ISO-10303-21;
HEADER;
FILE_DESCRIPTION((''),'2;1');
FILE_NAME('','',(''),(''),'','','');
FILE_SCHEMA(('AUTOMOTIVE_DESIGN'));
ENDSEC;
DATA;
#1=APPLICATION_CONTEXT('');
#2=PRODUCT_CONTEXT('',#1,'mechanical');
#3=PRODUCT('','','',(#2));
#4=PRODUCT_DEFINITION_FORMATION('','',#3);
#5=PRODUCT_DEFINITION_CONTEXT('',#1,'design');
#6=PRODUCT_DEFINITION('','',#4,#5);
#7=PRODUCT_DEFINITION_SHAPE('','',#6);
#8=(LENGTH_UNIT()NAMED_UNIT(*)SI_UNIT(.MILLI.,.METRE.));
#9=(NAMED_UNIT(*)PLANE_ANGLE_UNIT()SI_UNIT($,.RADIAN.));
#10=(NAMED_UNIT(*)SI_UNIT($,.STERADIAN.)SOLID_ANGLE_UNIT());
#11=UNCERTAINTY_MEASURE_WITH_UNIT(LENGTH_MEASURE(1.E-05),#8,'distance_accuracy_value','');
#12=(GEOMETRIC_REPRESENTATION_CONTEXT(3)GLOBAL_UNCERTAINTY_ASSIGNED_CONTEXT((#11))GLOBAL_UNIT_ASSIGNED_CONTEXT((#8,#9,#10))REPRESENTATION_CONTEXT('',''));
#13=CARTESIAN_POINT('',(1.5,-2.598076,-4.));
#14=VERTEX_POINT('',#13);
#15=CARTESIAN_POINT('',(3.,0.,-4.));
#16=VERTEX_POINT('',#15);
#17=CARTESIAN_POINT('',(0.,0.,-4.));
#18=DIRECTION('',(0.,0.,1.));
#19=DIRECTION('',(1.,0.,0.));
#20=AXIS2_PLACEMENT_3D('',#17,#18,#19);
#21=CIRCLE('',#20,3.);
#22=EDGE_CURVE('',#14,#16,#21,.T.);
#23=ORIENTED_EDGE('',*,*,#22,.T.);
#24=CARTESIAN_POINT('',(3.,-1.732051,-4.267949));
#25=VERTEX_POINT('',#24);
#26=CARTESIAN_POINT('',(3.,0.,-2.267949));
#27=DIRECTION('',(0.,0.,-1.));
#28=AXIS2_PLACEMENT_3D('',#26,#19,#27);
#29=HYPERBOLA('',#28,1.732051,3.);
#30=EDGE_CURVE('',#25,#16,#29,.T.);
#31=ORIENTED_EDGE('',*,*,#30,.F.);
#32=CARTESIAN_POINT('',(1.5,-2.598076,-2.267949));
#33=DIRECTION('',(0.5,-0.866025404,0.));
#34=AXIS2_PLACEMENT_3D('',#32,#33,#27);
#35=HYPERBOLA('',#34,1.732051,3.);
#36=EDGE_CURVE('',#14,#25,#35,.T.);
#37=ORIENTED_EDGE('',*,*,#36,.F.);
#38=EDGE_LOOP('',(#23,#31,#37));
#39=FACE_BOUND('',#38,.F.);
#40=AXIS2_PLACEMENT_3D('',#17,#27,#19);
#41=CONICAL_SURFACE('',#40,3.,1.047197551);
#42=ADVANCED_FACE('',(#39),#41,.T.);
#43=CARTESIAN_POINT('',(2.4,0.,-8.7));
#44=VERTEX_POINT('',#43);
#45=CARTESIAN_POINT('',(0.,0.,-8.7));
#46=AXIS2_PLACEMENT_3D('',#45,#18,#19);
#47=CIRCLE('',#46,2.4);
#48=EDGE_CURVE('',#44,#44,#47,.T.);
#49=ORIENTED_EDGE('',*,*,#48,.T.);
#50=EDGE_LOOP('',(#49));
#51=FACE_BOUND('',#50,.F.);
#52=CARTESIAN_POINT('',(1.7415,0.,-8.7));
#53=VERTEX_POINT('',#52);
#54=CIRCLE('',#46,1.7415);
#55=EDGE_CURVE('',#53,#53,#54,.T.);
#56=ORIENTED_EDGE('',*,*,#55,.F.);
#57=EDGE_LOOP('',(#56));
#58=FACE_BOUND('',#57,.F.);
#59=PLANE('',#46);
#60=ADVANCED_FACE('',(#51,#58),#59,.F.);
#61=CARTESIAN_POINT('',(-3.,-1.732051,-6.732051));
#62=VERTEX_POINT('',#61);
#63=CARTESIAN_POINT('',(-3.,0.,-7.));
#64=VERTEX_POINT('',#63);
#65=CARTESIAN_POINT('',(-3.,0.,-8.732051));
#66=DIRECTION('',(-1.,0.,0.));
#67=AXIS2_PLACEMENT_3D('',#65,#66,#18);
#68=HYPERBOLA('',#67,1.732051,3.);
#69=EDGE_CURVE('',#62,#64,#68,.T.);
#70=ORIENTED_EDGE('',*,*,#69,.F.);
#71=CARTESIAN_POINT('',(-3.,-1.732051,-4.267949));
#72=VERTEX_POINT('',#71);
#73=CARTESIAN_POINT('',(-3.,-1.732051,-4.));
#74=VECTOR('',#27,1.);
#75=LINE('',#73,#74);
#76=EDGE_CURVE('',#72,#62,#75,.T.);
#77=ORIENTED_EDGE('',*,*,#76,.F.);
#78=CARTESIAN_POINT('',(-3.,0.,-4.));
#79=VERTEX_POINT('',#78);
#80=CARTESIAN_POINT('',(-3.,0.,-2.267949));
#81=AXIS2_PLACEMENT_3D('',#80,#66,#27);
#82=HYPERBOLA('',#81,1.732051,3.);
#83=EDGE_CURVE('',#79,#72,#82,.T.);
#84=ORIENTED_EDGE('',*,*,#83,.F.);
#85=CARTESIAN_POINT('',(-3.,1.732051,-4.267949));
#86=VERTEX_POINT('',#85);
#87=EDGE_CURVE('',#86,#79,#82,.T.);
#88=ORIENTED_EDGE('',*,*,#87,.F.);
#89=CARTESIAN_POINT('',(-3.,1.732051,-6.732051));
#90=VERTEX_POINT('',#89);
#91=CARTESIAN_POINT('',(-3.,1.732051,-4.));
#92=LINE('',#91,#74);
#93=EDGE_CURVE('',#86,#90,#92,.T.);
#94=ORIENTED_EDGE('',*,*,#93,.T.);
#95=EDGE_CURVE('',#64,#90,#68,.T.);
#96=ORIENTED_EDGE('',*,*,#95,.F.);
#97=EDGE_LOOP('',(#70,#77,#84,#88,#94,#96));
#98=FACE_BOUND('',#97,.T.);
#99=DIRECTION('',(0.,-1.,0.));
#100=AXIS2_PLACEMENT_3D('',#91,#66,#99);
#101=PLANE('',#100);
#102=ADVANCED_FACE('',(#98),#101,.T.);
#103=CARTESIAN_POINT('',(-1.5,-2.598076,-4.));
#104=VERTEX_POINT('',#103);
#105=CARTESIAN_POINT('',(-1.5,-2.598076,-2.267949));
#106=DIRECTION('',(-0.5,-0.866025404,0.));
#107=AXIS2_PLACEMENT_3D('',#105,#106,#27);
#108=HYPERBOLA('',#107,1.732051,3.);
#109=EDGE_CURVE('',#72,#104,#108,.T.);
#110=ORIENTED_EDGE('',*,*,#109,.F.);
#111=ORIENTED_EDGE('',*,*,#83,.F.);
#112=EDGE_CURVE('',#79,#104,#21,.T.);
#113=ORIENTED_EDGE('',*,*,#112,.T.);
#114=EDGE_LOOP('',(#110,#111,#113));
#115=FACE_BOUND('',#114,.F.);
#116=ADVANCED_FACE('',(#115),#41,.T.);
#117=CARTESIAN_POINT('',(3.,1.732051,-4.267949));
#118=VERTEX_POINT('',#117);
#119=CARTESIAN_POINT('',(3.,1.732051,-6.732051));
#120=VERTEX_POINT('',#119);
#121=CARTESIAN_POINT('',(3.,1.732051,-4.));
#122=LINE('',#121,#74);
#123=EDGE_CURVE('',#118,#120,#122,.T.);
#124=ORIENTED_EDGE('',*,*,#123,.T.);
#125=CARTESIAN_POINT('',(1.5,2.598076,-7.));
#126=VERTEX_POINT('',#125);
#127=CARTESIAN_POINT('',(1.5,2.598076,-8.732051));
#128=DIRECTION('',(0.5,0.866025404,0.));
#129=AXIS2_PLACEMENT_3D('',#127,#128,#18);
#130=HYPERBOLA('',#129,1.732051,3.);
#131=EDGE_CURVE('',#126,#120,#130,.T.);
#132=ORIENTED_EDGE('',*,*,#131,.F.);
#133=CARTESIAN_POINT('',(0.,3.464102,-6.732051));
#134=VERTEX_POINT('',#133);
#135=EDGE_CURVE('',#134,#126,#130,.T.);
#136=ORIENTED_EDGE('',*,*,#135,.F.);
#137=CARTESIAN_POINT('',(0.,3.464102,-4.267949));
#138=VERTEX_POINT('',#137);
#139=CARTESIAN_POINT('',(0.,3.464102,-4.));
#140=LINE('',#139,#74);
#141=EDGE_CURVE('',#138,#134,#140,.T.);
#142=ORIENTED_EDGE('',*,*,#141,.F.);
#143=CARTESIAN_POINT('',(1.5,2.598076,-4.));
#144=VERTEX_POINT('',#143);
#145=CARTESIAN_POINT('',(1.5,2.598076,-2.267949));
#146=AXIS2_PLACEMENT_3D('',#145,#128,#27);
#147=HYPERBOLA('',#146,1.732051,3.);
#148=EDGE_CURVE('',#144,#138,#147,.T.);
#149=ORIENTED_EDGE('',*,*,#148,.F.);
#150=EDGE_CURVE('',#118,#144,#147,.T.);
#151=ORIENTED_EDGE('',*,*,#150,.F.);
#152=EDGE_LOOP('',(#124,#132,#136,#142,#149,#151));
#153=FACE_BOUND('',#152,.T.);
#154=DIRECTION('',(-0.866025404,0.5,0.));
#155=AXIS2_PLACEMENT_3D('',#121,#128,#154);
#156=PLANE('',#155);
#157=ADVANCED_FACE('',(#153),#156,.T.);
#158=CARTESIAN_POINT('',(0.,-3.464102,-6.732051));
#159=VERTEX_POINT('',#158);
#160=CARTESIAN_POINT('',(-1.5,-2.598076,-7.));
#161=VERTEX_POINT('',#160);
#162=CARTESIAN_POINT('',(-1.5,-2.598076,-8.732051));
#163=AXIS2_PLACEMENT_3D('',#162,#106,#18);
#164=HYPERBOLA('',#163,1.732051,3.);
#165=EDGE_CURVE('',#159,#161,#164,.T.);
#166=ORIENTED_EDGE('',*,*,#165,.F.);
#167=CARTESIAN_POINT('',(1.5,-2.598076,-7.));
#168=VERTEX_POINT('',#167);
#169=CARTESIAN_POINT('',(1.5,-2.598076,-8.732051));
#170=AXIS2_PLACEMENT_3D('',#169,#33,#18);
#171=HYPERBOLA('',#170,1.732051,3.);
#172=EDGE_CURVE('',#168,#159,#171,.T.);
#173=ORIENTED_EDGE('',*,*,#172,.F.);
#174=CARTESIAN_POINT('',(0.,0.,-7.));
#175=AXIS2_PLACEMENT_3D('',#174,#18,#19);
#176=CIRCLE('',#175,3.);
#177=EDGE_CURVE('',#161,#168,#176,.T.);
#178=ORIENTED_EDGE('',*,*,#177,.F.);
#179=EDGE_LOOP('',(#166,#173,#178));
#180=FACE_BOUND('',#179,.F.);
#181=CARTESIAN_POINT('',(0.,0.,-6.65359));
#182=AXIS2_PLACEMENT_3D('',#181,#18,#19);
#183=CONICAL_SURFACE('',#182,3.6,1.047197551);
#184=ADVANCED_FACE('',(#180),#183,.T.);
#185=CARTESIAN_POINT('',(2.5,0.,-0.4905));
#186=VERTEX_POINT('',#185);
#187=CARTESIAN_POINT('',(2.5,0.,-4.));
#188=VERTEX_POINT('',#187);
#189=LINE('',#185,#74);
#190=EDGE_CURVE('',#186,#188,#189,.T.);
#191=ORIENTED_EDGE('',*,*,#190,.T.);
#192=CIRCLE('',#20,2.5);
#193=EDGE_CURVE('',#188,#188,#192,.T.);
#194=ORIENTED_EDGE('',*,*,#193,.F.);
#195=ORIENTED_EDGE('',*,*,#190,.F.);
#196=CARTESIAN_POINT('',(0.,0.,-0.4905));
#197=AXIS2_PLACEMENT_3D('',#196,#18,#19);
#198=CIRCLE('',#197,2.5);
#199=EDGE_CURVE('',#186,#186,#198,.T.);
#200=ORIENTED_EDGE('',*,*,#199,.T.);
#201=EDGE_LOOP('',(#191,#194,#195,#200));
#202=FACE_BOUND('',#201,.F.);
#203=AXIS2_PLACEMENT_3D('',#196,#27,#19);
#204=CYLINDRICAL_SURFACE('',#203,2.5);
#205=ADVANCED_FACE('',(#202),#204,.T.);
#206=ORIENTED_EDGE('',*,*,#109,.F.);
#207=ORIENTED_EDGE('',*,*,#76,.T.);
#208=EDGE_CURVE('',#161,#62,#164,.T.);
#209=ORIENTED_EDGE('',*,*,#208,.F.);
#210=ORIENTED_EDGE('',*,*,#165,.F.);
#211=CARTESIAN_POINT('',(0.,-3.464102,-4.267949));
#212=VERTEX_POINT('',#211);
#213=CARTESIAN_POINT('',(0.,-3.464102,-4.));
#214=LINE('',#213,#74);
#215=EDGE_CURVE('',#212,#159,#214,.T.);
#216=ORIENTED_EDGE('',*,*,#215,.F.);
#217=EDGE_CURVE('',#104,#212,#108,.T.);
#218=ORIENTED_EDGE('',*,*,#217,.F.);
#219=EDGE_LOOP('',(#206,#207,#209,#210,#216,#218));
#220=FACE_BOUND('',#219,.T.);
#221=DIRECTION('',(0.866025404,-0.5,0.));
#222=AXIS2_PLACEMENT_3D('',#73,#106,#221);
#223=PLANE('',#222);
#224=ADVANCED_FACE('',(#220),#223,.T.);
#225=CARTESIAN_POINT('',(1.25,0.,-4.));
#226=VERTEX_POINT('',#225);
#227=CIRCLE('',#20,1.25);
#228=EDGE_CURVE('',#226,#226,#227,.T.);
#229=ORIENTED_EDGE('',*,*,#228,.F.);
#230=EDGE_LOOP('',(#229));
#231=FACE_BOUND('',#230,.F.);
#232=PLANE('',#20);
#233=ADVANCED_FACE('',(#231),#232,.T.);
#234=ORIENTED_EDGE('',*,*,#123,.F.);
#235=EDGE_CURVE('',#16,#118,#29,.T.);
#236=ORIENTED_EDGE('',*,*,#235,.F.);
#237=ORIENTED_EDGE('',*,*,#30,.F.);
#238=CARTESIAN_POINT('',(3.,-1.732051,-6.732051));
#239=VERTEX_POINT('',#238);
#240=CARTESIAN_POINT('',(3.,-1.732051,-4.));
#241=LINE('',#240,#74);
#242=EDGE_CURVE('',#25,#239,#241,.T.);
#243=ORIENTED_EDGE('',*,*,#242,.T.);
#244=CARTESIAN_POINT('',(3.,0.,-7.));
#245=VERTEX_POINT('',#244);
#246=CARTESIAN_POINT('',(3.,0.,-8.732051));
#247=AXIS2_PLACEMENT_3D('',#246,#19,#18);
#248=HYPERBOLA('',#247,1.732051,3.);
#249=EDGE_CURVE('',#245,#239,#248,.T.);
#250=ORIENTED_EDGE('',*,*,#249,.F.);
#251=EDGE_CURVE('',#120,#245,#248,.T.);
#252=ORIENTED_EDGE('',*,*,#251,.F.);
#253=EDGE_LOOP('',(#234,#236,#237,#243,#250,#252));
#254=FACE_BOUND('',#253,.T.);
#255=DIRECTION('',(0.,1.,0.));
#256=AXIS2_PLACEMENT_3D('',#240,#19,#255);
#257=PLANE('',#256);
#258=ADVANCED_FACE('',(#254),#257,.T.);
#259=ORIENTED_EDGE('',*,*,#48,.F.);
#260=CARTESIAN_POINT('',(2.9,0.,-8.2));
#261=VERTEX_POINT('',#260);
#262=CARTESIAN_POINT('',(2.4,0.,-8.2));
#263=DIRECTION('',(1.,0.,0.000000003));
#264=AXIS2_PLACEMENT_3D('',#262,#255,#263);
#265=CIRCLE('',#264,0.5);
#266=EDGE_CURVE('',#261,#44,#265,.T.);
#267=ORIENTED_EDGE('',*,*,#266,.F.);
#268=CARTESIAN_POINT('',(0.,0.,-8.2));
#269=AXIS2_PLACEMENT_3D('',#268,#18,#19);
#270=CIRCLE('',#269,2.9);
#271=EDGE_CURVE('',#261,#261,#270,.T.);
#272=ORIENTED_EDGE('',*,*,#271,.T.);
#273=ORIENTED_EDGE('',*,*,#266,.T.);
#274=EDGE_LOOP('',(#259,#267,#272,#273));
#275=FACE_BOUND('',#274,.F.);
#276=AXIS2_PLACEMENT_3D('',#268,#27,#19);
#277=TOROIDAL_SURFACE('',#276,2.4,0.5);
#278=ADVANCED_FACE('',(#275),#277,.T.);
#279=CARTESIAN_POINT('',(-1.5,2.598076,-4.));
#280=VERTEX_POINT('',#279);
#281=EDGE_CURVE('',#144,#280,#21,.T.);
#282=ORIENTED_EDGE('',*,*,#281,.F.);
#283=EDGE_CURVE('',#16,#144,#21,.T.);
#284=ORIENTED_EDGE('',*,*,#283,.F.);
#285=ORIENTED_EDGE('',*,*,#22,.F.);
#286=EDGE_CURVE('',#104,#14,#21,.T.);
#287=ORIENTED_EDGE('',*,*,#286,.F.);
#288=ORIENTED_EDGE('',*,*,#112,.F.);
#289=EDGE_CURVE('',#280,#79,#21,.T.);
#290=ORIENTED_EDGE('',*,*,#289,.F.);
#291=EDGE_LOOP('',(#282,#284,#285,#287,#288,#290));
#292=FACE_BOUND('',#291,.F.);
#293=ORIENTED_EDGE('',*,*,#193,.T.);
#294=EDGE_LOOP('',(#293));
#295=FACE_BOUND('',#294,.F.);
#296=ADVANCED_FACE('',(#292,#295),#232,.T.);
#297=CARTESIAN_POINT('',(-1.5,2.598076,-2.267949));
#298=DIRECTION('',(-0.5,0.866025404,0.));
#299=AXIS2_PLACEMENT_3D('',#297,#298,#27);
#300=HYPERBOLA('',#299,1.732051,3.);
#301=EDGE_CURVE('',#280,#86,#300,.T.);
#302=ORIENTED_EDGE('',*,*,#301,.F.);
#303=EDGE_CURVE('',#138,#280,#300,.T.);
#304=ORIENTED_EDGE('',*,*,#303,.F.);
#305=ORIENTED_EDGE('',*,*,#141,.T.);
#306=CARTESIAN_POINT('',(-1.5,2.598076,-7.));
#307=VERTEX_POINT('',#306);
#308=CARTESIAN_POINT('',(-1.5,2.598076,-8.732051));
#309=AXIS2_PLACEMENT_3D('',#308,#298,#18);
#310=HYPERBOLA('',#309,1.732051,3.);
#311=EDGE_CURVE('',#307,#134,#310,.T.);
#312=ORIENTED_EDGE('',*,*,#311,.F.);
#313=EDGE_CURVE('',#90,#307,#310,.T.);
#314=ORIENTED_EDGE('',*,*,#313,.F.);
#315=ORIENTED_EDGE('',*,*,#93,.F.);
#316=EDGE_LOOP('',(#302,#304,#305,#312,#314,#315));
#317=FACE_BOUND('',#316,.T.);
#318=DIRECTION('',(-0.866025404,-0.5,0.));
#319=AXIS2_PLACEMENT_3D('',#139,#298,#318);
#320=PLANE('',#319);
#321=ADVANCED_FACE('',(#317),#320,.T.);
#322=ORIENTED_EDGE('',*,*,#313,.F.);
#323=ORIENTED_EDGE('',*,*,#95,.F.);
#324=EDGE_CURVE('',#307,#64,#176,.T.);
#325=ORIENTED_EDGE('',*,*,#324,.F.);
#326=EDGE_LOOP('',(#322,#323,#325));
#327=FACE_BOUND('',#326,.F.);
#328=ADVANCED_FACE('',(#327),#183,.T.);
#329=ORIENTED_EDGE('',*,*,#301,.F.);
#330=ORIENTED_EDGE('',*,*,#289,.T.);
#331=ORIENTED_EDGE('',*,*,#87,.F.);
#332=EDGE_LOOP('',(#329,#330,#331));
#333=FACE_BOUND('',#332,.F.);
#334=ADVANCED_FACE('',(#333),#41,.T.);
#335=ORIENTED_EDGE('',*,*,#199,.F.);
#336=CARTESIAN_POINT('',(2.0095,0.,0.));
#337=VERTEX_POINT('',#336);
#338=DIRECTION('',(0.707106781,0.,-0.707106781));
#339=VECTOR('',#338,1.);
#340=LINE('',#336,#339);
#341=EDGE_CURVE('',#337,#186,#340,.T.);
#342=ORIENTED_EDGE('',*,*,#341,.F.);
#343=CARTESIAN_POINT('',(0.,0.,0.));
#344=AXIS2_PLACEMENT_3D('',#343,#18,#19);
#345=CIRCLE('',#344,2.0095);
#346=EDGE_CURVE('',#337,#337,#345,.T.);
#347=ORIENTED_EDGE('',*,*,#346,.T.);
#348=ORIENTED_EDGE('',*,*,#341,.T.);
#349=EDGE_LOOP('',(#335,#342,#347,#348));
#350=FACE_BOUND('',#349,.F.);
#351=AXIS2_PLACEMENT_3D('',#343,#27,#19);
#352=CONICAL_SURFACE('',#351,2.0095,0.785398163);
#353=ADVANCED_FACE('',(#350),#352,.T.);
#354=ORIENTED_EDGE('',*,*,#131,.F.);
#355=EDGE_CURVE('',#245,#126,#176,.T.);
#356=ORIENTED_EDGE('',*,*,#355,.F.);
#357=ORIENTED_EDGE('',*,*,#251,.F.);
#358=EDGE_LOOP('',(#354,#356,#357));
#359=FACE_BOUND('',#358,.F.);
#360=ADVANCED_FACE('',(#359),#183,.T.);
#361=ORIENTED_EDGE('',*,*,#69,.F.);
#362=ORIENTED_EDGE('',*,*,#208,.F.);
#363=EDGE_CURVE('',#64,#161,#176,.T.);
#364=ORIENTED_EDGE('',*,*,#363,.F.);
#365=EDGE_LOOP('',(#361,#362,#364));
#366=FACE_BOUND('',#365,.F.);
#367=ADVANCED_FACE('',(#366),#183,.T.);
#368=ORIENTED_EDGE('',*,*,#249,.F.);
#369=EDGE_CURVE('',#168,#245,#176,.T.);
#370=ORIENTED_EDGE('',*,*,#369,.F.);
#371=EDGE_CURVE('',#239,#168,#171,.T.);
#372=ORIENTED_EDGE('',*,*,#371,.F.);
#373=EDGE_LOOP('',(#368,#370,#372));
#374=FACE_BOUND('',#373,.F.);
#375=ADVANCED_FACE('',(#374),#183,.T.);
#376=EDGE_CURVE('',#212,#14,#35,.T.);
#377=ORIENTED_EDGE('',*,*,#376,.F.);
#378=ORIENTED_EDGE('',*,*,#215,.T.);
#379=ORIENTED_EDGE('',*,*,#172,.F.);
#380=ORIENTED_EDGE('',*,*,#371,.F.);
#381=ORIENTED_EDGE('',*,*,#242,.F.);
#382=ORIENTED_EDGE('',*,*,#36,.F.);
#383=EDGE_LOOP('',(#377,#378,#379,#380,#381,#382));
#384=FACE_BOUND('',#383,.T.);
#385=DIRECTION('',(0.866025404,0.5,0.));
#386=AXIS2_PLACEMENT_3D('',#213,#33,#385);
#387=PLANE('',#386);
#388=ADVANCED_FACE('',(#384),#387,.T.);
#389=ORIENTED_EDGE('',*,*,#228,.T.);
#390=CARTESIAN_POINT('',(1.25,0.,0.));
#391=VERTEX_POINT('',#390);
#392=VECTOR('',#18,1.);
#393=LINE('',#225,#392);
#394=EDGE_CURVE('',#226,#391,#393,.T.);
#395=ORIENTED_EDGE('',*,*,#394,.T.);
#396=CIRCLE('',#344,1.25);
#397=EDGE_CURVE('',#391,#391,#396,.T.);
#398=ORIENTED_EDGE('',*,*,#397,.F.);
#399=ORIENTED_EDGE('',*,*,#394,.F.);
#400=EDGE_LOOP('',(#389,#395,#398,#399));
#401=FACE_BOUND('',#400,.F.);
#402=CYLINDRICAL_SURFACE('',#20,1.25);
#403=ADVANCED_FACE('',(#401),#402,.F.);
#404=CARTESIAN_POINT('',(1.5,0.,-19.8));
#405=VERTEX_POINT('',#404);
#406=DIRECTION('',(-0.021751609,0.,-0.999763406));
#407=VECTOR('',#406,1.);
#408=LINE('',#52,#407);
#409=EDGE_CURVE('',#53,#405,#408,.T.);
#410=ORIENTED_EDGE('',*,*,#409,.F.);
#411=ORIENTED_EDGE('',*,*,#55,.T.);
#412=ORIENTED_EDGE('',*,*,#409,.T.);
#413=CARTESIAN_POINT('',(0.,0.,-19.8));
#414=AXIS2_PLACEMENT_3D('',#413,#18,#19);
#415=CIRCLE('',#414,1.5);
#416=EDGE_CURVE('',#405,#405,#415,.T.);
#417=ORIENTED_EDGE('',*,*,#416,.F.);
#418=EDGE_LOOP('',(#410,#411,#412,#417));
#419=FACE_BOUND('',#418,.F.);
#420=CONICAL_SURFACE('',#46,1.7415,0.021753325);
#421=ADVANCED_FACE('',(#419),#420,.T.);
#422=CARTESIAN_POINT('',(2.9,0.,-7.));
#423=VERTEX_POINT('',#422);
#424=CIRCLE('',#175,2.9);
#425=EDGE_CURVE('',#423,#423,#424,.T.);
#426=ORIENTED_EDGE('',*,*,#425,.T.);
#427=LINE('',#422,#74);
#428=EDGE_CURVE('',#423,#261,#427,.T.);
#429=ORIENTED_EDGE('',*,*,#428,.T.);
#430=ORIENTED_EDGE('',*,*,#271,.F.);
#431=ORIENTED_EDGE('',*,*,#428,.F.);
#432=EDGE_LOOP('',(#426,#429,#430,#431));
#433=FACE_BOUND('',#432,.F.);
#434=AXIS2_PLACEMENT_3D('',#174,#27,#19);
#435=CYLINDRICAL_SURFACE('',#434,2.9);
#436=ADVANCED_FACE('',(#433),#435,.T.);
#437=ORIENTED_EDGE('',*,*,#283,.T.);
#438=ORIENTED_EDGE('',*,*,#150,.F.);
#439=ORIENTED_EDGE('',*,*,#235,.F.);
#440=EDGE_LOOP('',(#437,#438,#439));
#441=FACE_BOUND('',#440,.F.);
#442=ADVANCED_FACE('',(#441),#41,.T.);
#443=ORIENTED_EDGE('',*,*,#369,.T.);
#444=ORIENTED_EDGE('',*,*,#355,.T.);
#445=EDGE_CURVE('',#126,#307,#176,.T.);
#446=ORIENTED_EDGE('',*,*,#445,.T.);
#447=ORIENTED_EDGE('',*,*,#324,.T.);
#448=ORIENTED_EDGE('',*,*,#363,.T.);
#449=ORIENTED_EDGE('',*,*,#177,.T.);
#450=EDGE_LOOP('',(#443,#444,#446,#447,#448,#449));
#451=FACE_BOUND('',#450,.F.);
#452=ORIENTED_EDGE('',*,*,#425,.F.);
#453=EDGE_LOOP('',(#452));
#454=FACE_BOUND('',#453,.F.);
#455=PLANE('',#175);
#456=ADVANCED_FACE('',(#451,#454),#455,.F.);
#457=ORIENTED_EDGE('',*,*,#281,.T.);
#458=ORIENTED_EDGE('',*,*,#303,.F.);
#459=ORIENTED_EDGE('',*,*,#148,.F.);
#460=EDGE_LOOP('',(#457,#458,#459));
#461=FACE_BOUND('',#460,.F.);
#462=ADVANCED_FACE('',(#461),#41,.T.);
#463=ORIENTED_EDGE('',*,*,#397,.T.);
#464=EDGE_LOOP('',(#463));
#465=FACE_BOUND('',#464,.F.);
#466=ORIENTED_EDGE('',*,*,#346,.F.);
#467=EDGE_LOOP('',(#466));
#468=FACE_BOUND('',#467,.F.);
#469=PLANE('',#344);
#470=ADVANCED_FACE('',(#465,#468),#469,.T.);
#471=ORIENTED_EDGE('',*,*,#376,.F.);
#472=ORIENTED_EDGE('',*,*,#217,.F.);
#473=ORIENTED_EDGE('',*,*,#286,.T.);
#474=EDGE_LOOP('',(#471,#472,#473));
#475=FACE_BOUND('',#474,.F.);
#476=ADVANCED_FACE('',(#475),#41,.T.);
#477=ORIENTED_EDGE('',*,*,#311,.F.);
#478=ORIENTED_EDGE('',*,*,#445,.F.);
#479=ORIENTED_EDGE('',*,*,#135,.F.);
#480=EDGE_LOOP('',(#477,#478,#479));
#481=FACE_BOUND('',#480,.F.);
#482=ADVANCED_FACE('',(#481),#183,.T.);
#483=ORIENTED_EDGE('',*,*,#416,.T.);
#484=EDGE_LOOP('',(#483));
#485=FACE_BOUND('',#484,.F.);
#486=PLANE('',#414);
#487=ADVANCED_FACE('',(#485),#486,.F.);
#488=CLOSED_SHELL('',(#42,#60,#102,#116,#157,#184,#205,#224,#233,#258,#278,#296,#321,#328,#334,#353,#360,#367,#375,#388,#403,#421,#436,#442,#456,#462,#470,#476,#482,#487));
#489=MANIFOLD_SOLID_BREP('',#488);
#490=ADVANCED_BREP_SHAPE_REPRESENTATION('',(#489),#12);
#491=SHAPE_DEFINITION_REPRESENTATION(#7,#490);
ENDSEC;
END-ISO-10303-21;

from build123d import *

# Parameters (mm, degrees)
SKIZZE2_W                       = 12
SKIZZE2_H                       = 12
SCHNITT_LINEAR_AUSTRAGEN1_DEPTH = 3


with BuildPart() as part:
    # Skizze1 → Rotation1 (revolve)
    with BuildSketch(Plane(origin=(0, 0, 0), x_dir=(0, 0, -1), z_dir=(1, 0, 0))):
        with BuildLine():
            Line((4, 0), (4, 1.25))
            Line((4, 1.25), (0, 1.25))
            Line((0, 1.25), (0, 2.0095))
            Line((0, 2.0095), (0.4905, 2.5))
            Line((0.4905, 2.5), (4, 2.5))
            Line((4, 2.5), (4, 3))
            Line((4, 3), (4.346410162, 3.6))
            Line((4.346410162, 3.6), (6.653589838, 3.6))
            Line((6.653589838, 3.6), (7, 3))
            Line((7, 3), (7, 2.9))
            Line((7, 2.9), (8.2, 2.9))
            ThreePointArc((8.2, 2.9), (8.553553391, 2.753553391), (8.7, 2.4))
            Line((8.7, 2.4), (8.7, 1.7415))
            Line((8.7, 1.7415), (19.8, 1.5))
            Line((19.8, 1.5), (19.8, 0))
            Line((19.8, 0), (4, 0))
        make_face()
    revolve(axis=Axis((0, 0, -19.8), (0, 0, 1)))

    # Skizze2 → Schnitt-Linear austragen1 (cut)
    with BuildSketch(Plane.XY.offset(-4)):
        Rectangle(SKIZZE2_W, SKIZZE2_H)
        Polygon((-3, -1.732050808), (0, -3.464101615), (3, -1.732050808), (3, 1.732050808), (0, 3.464101615), (-3, 1.732050808), align=None, mode=Mode.SUBTRACT)
    extrude(amount=-SCHNITT_LINEAR_AUSTRAGEN1_DEPTH, mode=Mode.SUBTRACT)


solid = part.part
